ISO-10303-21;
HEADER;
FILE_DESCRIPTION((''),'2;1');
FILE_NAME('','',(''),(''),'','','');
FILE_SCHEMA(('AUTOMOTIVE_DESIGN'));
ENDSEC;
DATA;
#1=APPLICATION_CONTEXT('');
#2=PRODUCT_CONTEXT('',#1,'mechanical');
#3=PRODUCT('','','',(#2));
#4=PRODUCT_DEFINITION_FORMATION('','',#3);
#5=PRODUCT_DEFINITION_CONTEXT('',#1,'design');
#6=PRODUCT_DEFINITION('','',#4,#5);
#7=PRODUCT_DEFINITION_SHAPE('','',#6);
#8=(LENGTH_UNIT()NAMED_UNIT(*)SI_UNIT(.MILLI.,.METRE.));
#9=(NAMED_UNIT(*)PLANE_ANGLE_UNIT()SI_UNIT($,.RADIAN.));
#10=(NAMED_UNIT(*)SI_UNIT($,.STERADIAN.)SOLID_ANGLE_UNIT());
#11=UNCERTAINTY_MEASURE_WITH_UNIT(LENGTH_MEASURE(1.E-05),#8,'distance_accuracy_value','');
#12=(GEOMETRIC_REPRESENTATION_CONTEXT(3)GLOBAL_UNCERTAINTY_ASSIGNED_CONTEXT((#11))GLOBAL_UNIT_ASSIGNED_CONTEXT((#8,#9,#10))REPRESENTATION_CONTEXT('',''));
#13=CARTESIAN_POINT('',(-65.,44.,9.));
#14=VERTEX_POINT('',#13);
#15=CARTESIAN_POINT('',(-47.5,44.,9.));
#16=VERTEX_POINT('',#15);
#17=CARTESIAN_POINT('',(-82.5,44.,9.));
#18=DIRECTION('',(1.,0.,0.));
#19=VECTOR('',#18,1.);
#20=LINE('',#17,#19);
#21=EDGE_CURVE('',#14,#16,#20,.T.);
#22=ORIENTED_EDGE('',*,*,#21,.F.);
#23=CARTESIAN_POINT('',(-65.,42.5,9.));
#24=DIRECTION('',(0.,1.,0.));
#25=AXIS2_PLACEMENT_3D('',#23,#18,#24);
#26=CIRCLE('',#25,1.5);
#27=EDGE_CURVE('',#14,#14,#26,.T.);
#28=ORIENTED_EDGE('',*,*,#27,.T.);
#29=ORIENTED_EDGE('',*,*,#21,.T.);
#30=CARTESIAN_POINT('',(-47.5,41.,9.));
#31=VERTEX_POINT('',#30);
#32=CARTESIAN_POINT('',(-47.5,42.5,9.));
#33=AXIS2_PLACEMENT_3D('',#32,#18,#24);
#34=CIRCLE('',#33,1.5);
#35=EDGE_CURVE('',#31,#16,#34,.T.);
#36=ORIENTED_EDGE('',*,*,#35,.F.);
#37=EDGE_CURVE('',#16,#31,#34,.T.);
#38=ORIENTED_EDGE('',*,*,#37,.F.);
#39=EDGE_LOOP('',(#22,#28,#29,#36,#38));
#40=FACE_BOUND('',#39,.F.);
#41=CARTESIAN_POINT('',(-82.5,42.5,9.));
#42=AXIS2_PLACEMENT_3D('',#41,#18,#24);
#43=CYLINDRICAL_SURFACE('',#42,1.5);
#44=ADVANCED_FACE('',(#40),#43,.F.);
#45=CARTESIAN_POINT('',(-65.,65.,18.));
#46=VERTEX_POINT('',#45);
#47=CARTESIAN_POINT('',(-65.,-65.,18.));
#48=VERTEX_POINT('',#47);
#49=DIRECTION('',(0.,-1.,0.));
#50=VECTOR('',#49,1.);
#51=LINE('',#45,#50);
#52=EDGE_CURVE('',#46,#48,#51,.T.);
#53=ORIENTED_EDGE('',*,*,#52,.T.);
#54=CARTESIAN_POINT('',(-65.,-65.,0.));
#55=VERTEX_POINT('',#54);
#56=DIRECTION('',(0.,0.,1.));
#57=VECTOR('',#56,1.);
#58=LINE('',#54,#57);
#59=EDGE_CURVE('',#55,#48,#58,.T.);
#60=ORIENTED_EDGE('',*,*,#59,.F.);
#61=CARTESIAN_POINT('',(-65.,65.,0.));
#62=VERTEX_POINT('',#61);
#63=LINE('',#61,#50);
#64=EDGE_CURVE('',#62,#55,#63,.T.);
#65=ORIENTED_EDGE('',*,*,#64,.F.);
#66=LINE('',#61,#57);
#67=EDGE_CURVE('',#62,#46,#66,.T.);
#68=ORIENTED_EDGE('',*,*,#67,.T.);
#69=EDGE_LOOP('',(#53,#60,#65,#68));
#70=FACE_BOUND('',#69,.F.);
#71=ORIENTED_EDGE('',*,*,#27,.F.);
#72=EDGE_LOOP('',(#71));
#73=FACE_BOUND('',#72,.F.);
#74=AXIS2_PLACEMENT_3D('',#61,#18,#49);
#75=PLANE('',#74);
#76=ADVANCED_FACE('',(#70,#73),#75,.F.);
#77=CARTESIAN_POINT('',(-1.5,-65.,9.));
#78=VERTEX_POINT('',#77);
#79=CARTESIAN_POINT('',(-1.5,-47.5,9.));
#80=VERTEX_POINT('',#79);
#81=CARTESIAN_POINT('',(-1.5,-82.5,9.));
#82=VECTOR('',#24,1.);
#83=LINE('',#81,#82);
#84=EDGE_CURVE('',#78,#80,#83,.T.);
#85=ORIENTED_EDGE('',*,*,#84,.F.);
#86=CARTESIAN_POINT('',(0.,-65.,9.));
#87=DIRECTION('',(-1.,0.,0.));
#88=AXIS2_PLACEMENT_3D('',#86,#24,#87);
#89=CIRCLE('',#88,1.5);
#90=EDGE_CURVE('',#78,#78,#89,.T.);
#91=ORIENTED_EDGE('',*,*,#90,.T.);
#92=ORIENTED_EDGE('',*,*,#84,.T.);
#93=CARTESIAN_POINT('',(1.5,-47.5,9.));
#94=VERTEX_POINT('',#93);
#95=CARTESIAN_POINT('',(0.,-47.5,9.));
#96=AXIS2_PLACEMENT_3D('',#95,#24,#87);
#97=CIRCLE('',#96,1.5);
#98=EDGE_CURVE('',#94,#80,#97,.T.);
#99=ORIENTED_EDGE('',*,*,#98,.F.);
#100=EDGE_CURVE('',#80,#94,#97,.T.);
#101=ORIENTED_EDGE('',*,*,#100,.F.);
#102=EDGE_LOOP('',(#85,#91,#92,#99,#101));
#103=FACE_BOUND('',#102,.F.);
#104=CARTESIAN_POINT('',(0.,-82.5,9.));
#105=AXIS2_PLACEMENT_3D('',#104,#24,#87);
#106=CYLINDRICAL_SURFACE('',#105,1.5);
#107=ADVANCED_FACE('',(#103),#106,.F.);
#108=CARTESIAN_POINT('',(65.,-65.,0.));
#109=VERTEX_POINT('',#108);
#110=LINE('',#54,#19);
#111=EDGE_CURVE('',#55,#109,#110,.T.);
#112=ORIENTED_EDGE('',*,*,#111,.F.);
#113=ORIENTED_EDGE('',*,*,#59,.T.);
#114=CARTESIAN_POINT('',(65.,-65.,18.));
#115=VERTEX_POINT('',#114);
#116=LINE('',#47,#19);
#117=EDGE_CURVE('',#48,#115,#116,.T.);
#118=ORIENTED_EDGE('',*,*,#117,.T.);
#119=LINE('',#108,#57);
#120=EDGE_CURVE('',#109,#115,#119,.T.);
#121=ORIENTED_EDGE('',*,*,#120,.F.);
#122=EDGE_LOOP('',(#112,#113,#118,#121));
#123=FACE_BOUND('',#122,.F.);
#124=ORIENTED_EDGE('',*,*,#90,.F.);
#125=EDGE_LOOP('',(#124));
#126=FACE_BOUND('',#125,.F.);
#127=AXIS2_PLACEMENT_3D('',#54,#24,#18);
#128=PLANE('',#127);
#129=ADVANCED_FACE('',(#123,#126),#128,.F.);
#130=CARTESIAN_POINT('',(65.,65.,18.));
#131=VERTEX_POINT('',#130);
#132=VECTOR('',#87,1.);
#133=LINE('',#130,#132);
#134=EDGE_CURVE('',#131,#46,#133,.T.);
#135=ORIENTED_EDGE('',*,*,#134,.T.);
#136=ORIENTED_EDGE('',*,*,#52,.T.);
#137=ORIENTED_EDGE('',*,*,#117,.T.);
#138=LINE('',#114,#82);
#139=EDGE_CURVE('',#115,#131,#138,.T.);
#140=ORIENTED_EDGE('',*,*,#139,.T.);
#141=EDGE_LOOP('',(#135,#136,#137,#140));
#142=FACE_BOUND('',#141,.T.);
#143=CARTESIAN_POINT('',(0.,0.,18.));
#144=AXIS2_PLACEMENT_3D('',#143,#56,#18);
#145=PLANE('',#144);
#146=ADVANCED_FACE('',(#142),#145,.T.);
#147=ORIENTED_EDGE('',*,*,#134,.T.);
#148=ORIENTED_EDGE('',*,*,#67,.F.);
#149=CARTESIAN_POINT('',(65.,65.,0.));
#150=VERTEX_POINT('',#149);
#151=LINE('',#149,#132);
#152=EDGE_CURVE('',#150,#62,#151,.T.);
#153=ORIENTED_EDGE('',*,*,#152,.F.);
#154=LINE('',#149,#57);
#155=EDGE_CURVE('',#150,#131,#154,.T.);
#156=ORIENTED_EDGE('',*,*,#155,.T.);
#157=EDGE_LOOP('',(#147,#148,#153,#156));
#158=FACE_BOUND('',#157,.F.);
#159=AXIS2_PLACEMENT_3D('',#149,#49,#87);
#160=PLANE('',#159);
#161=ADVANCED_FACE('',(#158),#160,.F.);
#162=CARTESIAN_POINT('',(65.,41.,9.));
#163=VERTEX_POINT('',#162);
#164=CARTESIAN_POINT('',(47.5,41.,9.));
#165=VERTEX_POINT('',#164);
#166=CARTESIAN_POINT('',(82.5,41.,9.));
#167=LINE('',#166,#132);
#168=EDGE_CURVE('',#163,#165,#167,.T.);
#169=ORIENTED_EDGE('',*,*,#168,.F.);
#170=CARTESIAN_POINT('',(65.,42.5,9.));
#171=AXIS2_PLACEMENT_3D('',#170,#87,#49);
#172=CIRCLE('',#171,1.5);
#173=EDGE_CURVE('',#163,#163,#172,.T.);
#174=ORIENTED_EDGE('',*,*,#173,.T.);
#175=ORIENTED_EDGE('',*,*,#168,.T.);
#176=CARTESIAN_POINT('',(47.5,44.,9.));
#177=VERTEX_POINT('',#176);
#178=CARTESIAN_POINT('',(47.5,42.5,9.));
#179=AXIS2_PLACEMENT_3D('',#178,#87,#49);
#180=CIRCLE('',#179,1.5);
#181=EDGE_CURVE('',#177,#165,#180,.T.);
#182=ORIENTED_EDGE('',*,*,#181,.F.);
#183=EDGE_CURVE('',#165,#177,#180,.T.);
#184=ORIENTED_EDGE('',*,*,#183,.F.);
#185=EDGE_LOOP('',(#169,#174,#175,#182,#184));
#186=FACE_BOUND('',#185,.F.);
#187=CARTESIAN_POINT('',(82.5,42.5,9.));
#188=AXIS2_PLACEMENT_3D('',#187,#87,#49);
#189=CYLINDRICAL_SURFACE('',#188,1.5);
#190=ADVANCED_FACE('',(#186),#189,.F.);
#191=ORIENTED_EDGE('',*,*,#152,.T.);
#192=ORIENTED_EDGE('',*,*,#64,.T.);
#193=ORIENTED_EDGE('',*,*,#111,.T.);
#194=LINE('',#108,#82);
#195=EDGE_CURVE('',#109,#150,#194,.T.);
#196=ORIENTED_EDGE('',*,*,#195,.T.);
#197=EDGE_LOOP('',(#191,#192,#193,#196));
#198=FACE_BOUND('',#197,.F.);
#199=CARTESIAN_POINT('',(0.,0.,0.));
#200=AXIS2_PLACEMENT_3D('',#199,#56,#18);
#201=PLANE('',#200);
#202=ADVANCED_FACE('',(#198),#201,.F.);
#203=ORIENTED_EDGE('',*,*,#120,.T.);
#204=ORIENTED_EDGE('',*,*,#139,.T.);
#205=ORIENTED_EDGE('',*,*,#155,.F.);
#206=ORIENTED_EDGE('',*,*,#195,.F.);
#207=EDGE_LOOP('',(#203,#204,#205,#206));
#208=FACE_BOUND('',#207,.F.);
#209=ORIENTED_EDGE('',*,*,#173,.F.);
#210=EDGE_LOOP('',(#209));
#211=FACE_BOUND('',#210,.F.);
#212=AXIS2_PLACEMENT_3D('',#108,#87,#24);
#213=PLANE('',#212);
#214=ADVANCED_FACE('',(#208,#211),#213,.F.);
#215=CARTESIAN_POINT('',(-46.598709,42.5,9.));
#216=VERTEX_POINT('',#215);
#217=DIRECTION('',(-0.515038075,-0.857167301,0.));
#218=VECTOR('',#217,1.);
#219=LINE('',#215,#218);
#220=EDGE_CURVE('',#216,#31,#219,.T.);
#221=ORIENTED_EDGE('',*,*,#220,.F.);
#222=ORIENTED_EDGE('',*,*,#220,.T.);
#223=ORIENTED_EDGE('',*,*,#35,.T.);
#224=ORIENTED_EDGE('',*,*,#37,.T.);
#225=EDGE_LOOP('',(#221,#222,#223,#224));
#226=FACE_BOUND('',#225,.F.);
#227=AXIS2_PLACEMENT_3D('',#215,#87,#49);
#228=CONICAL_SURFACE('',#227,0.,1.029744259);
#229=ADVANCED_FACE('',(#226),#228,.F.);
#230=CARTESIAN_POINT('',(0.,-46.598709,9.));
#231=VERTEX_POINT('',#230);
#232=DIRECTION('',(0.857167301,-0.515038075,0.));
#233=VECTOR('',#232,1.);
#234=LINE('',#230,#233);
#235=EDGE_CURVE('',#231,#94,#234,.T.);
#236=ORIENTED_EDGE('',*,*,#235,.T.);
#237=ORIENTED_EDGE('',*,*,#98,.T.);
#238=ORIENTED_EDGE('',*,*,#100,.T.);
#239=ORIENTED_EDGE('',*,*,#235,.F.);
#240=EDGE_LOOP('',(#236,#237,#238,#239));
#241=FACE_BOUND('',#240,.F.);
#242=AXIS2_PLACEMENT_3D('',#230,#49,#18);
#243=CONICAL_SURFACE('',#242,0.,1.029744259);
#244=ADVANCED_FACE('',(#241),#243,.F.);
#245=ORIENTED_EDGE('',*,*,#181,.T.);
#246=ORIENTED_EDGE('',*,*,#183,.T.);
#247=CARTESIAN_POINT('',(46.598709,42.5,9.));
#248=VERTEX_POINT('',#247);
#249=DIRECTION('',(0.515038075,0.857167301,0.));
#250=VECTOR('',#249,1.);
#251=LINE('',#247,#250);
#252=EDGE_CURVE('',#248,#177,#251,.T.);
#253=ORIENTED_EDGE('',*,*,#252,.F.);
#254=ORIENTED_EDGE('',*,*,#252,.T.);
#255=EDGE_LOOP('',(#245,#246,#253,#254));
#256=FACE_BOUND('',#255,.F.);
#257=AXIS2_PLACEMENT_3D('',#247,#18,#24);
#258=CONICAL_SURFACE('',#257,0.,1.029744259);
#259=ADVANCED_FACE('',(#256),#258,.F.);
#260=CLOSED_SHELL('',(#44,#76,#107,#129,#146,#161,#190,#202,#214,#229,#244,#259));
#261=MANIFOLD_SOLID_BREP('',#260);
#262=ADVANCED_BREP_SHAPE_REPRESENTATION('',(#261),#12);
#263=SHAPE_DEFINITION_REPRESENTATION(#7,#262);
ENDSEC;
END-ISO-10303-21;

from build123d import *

# Parameters (mm, degrees)
F1_DEPTH = 18
F3_D     = 3
F3_DEPTH = 17.5
F3_TIP   = 0.9012909285
F5_D     = 3
F5_DEPTH = 17.5
F5_TIP   = 0.9012909285
F7_D     = 3
F7_DEPTH = 17.5
F7_TIP   = 0.9012909285


with BuildPart() as f1:
    # F0 (on Top) → F1 (new body)
    with BuildSketch(Plane.XY):
        Polygon((65, 65), (55, 65), (-55, 65), (-65, 65), (-65, 55), (-65, -55), (-65, -65), (-55, -65), (55, -65), (65, -65), (65, -55), (65, 55), align=None)
    extrude(amount=F1_DEPTH)

    # F3
    with Locations(Plane.XZ.offset(65)):
        with Locations((0, 9)):
            Hole(F3_D / 2, depth=F3_DEPTH)
            with Locations((0, 0, -(F3_DEPTH + F3_TIP / 2))):  # 118° drill point
                Cone(0, F3_D / 2, F3_TIP, mode=Mode.SUBTRACT)

    # F5
    with Locations(Plane.YZ.offset(65)):
        with Locations((42.5, 9)):
            Hole(F5_D / 2, depth=F5_DEPTH)
            with Locations((0, 0, -(F5_DEPTH + F5_TIP / 2))):  # 118° drill point
                Cone(0, F5_D / 2, F5_TIP, mode=Mode.SUBTRACT)

    # F7
    with Locations(Plane(origin=(-65, 0, 0), x_dir=(0, -1, 0), z_dir=(-1, 0, 0))):
        with Locations((-42.5, 9)):
            Hole(F7_D / 2, depth=F7_DEPTH)
            with Locations((0, 0, -(F7_DEPTH + F7_TIP / 2))):  # 118° drill point
                Cone(0, F7_D / 2, F7_TIP, mode=Mode.SUBTRACT)


solid = f1.part
